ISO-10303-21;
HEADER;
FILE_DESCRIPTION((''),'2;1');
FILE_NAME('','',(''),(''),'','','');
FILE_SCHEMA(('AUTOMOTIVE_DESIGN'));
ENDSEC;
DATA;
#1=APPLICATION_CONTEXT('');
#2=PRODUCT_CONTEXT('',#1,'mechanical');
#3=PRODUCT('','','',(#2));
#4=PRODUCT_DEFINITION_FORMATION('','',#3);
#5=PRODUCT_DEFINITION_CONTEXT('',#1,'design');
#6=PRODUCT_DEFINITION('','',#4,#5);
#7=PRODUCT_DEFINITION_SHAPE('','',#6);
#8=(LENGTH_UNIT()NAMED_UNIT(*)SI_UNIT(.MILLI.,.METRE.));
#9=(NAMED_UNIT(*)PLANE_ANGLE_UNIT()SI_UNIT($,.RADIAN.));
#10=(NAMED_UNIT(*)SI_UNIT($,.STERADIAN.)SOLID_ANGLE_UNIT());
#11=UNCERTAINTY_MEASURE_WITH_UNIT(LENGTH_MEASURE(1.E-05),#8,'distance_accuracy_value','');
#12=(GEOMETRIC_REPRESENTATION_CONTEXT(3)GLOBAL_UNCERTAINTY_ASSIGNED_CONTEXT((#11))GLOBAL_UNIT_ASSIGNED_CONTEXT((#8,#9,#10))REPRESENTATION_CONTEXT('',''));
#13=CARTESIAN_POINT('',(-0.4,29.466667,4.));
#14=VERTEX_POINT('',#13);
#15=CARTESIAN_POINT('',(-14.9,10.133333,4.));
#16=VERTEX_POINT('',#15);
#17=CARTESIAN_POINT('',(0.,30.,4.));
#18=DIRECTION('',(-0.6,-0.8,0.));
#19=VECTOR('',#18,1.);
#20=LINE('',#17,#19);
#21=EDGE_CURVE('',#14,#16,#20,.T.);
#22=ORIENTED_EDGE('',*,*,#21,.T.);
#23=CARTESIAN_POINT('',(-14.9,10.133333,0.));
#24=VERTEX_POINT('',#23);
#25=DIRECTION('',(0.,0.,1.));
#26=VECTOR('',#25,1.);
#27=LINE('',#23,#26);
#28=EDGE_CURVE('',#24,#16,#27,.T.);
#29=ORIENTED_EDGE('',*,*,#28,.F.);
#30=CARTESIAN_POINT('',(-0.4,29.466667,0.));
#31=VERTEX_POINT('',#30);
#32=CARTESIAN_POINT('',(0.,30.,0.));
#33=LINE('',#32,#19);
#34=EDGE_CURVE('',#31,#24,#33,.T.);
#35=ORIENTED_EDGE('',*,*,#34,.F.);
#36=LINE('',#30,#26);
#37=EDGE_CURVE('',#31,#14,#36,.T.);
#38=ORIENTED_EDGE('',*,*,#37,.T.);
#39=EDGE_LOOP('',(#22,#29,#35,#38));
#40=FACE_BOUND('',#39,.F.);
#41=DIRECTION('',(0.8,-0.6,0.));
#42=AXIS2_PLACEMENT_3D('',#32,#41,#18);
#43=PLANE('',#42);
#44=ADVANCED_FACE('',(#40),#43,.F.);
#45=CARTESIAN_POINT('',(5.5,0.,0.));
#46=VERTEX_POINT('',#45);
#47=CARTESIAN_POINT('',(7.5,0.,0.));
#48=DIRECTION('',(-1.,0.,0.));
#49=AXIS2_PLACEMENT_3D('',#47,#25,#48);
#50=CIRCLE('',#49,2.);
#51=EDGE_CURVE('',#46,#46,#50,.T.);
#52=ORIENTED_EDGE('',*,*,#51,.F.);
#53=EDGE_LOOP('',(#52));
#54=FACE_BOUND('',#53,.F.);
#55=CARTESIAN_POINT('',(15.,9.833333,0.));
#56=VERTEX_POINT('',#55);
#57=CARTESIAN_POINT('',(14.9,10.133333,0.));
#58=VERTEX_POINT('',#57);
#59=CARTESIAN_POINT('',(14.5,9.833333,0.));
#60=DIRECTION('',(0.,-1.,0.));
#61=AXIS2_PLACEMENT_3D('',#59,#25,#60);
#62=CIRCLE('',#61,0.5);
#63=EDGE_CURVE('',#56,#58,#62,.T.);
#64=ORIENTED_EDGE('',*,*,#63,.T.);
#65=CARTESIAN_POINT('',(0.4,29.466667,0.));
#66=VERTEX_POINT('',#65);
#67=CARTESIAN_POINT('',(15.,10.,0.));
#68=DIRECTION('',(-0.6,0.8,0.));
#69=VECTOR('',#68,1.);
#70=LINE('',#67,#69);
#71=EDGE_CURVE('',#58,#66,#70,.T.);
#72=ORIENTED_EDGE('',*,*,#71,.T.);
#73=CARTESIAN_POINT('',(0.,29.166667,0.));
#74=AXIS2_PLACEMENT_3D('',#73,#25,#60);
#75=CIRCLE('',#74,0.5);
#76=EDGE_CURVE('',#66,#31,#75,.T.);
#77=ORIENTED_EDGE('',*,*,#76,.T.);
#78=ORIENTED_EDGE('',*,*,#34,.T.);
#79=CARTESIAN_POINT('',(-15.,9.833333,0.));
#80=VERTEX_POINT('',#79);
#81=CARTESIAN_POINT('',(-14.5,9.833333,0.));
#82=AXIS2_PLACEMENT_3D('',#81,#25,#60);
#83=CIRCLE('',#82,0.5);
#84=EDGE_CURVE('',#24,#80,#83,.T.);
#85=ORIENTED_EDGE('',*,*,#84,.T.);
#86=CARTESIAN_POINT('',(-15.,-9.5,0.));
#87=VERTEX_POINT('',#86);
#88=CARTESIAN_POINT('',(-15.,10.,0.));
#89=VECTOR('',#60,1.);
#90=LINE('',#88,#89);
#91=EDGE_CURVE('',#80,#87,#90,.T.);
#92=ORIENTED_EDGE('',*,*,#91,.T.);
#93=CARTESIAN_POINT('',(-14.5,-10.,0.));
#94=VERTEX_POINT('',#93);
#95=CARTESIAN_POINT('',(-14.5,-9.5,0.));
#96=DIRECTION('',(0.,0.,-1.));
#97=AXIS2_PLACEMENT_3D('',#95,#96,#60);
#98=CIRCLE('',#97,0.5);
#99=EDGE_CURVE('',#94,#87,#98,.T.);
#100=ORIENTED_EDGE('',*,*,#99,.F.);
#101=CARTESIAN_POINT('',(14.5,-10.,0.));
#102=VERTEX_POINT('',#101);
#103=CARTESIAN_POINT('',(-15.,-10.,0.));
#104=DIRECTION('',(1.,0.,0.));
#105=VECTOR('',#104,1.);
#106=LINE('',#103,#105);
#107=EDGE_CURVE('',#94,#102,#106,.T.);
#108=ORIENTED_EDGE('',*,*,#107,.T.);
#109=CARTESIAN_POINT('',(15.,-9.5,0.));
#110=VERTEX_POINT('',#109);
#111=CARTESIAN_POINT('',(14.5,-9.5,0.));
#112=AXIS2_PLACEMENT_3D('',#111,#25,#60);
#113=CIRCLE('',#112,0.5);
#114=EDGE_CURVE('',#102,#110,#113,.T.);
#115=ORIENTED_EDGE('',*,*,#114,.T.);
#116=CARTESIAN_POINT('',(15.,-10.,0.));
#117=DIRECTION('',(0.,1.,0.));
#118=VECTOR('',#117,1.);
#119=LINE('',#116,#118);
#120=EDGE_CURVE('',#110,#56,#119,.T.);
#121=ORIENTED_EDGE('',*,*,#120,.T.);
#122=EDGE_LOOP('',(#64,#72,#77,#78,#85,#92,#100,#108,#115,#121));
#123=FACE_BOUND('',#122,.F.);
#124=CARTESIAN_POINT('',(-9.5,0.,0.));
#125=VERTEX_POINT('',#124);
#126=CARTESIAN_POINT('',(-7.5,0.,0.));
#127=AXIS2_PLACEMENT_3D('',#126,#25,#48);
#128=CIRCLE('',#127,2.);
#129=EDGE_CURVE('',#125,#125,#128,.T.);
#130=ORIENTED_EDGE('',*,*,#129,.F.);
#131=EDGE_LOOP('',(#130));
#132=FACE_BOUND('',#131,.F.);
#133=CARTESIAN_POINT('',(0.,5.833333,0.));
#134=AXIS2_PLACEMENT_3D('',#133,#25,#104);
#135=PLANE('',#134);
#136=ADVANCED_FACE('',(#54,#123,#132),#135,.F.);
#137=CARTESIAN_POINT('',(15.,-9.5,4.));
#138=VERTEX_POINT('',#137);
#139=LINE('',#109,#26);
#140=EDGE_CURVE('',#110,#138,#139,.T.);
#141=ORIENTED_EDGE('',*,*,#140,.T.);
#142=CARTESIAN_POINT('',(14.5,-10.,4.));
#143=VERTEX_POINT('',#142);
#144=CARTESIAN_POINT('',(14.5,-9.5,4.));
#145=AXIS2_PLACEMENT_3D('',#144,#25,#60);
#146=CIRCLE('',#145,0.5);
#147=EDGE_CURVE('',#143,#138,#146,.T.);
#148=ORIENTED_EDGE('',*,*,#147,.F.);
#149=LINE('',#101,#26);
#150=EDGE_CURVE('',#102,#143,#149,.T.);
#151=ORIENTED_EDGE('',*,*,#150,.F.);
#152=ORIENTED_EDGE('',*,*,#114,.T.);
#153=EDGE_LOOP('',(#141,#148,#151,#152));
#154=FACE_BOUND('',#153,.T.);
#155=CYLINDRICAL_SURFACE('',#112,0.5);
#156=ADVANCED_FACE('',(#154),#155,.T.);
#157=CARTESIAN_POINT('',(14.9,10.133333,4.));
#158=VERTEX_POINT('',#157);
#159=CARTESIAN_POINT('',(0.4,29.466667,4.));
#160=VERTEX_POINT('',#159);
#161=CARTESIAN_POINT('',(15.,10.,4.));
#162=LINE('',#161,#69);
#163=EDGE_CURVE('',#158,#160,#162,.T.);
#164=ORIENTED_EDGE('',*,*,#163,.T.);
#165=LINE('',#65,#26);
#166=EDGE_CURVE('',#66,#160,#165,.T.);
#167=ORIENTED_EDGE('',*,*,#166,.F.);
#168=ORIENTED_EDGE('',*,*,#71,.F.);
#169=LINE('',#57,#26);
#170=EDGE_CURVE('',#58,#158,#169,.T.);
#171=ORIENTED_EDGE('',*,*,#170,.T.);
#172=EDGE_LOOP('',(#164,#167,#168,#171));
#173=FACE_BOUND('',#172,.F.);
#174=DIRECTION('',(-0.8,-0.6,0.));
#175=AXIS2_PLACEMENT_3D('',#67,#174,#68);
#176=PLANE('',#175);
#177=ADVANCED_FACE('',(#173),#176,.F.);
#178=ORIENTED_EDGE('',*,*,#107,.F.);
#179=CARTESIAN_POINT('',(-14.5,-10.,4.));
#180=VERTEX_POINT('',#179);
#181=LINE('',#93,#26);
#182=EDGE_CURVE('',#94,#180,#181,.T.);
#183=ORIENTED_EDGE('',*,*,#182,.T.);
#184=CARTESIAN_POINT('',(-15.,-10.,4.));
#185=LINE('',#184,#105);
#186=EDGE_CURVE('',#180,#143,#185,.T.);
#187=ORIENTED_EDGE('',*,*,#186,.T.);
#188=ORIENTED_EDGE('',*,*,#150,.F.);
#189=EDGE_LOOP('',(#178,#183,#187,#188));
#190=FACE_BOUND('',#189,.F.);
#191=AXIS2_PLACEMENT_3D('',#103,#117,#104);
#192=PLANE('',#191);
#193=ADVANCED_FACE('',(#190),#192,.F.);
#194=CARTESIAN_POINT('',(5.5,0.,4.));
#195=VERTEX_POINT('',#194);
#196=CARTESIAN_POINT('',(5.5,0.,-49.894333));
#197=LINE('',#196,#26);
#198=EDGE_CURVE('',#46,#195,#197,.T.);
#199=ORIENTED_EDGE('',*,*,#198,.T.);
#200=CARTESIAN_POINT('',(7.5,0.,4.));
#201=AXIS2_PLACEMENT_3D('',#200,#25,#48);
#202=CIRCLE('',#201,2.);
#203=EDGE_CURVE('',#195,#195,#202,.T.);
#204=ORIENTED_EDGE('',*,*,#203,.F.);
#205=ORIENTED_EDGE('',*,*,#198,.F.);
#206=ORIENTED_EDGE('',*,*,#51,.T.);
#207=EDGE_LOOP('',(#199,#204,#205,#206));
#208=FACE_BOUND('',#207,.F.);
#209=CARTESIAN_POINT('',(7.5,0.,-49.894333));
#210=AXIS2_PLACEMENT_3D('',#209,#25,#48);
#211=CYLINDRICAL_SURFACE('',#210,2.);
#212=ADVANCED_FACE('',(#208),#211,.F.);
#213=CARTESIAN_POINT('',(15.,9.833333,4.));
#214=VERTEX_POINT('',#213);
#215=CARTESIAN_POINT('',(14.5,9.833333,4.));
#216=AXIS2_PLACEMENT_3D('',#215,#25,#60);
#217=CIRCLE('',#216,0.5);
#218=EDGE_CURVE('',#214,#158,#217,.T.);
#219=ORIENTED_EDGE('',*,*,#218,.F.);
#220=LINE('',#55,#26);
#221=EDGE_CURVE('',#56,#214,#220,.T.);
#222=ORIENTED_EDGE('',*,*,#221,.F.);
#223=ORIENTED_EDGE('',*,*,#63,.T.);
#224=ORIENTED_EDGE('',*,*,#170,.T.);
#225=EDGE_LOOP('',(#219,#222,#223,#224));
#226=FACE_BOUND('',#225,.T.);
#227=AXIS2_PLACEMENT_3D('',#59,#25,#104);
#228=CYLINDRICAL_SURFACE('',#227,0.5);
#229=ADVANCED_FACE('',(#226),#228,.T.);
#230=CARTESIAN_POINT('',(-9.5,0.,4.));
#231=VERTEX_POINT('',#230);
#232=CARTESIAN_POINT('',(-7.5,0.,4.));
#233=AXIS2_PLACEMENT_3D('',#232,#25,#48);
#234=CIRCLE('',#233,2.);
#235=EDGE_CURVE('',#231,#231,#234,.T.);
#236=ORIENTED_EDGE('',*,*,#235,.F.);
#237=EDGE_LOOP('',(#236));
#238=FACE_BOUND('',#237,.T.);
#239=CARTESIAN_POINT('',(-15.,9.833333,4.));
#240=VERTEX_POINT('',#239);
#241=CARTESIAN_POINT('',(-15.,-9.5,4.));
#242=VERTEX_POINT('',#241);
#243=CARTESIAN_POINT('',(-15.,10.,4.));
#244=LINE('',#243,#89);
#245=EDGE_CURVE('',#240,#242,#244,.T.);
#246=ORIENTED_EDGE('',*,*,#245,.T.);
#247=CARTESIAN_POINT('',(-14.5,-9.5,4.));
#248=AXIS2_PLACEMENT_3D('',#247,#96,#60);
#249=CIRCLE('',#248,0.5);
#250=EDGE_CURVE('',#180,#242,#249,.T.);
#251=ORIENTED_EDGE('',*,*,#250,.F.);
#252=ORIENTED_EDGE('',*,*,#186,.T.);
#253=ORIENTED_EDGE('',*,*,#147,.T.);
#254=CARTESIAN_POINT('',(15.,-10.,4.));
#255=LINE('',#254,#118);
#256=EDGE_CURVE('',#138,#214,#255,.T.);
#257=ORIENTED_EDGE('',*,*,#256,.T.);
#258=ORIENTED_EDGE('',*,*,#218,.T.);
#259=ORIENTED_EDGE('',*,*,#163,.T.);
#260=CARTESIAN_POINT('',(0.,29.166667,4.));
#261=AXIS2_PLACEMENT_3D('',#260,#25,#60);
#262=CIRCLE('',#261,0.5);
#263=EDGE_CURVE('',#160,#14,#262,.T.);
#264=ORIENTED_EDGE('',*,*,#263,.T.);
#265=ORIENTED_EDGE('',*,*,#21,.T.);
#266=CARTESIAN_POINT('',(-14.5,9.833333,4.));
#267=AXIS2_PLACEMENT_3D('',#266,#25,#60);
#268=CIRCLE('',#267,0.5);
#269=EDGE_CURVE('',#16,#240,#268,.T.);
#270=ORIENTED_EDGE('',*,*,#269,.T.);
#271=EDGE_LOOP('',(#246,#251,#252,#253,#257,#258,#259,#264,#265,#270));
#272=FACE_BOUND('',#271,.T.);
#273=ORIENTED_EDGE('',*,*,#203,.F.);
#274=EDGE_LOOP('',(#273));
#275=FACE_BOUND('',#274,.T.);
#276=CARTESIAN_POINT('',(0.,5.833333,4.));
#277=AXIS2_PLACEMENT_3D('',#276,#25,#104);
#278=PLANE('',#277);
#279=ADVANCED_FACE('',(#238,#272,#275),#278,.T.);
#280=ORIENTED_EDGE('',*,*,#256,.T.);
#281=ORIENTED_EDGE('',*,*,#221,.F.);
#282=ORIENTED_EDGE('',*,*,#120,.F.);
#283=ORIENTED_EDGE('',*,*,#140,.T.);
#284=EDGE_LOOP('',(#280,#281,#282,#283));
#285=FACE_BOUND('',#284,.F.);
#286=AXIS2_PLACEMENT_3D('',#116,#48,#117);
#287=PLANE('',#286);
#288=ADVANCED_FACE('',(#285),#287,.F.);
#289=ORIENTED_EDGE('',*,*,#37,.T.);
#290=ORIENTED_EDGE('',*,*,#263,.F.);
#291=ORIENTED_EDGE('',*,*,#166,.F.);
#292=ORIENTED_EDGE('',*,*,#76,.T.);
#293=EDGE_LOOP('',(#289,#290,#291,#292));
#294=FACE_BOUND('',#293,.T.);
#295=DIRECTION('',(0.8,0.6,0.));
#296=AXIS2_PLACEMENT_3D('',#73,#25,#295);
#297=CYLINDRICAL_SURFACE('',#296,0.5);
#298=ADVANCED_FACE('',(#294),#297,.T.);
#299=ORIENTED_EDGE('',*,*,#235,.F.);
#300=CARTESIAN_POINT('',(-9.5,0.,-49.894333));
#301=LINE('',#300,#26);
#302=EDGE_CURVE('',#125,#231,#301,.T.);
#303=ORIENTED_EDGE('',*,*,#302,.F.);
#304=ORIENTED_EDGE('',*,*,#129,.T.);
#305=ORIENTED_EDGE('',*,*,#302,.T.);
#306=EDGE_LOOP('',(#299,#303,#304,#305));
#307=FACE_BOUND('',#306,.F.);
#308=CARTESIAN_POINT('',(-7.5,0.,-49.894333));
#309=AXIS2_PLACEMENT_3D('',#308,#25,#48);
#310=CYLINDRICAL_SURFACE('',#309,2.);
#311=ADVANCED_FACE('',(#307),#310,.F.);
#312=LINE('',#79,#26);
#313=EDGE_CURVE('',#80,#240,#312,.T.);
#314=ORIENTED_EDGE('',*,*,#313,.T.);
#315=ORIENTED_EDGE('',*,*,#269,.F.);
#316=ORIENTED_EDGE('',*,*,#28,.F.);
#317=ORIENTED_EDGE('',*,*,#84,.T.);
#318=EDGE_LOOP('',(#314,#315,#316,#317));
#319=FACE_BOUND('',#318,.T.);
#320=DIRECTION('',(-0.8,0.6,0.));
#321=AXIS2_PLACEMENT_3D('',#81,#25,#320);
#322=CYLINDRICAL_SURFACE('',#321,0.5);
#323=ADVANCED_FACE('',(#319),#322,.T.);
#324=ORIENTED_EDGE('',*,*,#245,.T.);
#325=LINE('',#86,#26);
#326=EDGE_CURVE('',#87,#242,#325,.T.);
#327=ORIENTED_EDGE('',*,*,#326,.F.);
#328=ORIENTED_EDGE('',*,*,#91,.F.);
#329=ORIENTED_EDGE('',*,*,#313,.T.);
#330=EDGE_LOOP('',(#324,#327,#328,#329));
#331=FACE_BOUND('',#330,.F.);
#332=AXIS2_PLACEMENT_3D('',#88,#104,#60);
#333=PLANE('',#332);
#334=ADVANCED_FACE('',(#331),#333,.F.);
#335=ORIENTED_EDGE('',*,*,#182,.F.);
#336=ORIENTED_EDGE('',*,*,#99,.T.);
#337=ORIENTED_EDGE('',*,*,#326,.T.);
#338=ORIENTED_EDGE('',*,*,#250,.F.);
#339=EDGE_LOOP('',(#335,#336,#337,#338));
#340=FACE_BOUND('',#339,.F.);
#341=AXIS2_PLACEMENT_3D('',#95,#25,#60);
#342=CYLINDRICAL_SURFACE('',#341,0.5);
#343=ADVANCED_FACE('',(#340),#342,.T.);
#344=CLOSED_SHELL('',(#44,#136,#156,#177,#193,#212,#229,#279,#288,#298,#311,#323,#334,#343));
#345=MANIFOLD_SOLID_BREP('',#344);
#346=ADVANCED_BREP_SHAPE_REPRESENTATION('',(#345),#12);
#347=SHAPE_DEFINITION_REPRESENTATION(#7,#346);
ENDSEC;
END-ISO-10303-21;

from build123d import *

# Parameters (mm, degrees)
F1_DEPTH = 4
F2_R     = 0.5
F4_D     = 4


with BuildPart() as f1:
    # F0 (on Top) → F1 (new body)
    with BuildSketch(Plane.XY):
        Polygon((-15, -10), (15, -10), (15, 10), (0, 30), (-15, 10), align=None)
    extrude(amount=F1_DEPTH)

    # F2
    f2_edges = [f1.edges().sort_by_distance(p)[0] for p in [
        (15, 10, 2),
        (15, -10, 2),
        (0, 30, 2),
        (-15, 10, 2),
        (-15, -10, 2),
    ]]
    fillet(f2_edges, radius=F2_R)

    # F4 (through all)
    with Locations(Plane(origin=(0, 0, 0), x_dir=(1, 0, 0), z_dir=(0, 0, -1))):
        with Locations((7.5, 0), (-7.5, 0)):
            Hole(F4_D / 2)


solid = f1.part
